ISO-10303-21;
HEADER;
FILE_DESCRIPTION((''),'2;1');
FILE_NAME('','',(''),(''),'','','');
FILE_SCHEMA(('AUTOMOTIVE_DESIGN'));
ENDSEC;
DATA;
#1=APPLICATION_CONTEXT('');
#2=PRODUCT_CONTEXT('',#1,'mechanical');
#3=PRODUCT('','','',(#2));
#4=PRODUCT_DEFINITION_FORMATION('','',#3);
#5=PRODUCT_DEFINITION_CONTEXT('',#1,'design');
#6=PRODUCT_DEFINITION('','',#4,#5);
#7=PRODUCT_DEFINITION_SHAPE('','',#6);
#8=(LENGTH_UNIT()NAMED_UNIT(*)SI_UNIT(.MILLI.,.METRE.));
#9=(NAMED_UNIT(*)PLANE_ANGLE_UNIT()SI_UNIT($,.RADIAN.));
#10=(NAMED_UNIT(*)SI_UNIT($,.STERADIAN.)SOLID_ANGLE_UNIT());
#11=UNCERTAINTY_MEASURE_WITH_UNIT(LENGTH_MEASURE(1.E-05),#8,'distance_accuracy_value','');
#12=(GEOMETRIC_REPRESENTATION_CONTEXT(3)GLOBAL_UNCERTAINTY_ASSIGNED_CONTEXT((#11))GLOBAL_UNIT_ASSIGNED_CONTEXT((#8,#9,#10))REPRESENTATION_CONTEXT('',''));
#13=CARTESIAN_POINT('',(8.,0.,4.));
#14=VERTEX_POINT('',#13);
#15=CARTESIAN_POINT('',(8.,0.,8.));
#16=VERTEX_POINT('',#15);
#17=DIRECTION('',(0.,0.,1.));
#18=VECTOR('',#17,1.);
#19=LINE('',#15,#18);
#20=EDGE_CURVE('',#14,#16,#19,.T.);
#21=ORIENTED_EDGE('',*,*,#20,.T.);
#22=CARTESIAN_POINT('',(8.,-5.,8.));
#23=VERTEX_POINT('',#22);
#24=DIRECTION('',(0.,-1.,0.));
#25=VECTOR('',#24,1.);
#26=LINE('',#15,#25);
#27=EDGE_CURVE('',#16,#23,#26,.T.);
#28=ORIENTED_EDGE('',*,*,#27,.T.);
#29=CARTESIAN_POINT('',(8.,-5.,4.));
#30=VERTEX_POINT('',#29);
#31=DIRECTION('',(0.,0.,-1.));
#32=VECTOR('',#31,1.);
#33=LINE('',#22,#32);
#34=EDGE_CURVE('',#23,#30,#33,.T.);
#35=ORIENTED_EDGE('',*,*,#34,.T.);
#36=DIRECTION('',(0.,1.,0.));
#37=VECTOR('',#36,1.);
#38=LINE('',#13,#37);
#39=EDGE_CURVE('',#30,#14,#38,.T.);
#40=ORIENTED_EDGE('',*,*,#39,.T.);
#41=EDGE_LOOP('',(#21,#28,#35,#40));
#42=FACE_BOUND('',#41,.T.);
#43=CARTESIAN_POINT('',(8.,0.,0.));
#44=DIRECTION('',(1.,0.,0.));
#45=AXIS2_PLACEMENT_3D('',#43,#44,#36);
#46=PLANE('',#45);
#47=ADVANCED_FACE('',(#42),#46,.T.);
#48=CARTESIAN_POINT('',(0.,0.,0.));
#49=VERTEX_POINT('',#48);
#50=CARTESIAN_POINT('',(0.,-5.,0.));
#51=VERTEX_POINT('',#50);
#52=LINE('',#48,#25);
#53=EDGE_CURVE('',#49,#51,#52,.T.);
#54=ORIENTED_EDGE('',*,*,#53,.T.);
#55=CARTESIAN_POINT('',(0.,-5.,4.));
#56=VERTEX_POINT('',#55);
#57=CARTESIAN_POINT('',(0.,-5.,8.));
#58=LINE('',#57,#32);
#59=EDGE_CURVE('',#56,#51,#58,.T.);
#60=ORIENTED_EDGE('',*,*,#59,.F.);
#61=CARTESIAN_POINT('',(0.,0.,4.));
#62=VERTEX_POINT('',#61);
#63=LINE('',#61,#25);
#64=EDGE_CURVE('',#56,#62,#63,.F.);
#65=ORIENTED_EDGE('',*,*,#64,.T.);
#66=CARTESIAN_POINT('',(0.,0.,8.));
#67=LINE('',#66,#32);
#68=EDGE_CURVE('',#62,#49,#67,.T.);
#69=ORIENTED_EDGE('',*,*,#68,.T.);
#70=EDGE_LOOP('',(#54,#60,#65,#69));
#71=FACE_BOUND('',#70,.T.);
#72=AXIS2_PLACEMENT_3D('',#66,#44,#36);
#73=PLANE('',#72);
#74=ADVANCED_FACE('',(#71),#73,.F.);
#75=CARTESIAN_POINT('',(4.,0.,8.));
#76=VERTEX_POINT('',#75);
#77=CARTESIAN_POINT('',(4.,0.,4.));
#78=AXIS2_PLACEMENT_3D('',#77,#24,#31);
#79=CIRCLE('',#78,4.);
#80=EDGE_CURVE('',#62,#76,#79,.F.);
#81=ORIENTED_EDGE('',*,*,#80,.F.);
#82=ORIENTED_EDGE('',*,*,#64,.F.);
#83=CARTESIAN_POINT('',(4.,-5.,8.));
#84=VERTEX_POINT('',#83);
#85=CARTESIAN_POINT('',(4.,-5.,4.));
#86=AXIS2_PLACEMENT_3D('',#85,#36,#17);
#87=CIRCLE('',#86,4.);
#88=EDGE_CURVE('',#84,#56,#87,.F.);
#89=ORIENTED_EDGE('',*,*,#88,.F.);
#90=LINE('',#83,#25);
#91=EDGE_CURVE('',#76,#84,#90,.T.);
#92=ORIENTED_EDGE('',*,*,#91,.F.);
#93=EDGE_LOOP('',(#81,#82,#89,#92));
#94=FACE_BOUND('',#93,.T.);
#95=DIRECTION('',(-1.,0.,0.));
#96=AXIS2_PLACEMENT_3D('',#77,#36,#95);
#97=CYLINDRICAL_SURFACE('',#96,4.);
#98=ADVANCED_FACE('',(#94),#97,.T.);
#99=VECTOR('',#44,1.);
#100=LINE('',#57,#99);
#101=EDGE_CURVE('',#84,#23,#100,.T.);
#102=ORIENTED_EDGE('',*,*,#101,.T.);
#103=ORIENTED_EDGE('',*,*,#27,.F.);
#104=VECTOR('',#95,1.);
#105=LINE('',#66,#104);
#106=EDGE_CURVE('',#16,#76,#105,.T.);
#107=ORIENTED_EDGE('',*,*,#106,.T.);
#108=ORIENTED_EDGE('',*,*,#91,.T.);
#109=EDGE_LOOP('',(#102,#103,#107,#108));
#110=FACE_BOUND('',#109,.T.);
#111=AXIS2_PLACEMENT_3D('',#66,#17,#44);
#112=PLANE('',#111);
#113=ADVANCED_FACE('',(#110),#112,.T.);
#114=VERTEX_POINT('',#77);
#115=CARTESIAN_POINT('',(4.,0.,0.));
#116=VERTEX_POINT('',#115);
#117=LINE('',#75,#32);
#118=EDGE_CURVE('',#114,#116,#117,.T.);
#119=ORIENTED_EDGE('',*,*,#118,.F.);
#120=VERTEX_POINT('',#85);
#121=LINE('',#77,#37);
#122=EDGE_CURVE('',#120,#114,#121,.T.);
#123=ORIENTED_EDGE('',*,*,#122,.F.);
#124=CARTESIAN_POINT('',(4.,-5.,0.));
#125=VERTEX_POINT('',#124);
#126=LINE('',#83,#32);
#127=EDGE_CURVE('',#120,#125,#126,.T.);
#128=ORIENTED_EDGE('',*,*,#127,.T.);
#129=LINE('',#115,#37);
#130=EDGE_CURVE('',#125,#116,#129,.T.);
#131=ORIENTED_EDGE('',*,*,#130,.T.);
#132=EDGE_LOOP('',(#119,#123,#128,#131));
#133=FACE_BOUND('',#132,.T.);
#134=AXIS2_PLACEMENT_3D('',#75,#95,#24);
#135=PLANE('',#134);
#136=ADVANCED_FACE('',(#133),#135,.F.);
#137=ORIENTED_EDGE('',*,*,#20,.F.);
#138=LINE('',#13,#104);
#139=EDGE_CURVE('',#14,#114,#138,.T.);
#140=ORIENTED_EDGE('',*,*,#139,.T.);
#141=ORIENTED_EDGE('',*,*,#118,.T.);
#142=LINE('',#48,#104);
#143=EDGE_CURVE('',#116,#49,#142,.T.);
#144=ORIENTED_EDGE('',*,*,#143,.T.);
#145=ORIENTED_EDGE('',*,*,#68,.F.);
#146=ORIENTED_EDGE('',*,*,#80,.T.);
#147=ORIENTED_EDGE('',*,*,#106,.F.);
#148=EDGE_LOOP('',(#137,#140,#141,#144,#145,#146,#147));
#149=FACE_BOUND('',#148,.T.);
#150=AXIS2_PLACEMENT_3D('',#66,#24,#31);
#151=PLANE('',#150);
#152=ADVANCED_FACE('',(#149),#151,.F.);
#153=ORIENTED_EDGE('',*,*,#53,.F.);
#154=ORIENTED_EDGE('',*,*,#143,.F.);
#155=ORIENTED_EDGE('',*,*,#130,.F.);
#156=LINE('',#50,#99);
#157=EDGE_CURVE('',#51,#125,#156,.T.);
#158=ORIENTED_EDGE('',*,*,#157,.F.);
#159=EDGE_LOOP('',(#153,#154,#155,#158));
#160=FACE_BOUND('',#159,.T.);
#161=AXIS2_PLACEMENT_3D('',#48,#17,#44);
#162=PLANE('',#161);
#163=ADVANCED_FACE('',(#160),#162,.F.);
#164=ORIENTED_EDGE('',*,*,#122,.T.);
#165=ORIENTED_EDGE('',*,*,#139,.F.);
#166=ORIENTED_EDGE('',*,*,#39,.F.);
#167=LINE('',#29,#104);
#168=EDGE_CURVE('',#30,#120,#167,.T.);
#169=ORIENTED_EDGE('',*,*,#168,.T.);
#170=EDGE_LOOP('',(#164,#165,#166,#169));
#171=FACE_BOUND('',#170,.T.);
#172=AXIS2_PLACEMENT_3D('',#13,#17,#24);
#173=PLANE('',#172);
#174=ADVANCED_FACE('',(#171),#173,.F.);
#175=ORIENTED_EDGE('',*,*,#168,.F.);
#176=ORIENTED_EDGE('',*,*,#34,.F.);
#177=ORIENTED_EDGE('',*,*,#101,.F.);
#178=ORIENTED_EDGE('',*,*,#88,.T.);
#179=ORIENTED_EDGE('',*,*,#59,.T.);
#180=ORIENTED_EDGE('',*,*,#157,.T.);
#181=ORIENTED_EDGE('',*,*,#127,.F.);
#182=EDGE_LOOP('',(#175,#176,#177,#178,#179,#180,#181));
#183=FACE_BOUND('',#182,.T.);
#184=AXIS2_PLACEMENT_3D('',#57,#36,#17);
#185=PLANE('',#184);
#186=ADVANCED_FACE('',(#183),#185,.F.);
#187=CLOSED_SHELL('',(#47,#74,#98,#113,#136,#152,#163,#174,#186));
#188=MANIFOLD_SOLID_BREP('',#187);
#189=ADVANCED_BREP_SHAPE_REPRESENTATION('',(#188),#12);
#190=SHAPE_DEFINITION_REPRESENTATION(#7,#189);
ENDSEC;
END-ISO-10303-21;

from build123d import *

# Parameters (mm, degrees)
SKETCH_1_W      = 4
SKETCH_1_H      = 5
EXTRUDE_1_DEPTH = 8
SKETCH_2_W      = 4
SKETCH_2_H      = 5
EXTRUDE_2_DEPTH = 4
FILLET_2_R      = 4


with BuildPart() as part:
    # 草图1 → 凸台-拉伸1 (new body)
    with BuildSketch(Plane.XY):
        with Locations((2, -2.5)):
            Rectangle(SKETCH_1_W, SKETCH_1_H)
    extrude(amount=EXTRUDE_1_DEPTH)

    # 草图2 → 凸台-拉伸2 (add)
    with BuildSketch(Plane(origin=(4, 0, 0), x_dir=(0, 0, -1), z_dir=(1, 0, 0))):
        with Locations((-6, -2.5)):
            Rectangle(SKETCH_2_W, SKETCH_2_H)
    extrude(amount=EXTRUDE_2_DEPTH)

    # 圆角2
    fillet_2_edges = [part.edges().sort_by_distance(p)[0] for p in [
        (0, -2.5, 8),
    ]]
    fillet(fillet_2_edges, radius=FILLET_2_R)


solid = part.part
